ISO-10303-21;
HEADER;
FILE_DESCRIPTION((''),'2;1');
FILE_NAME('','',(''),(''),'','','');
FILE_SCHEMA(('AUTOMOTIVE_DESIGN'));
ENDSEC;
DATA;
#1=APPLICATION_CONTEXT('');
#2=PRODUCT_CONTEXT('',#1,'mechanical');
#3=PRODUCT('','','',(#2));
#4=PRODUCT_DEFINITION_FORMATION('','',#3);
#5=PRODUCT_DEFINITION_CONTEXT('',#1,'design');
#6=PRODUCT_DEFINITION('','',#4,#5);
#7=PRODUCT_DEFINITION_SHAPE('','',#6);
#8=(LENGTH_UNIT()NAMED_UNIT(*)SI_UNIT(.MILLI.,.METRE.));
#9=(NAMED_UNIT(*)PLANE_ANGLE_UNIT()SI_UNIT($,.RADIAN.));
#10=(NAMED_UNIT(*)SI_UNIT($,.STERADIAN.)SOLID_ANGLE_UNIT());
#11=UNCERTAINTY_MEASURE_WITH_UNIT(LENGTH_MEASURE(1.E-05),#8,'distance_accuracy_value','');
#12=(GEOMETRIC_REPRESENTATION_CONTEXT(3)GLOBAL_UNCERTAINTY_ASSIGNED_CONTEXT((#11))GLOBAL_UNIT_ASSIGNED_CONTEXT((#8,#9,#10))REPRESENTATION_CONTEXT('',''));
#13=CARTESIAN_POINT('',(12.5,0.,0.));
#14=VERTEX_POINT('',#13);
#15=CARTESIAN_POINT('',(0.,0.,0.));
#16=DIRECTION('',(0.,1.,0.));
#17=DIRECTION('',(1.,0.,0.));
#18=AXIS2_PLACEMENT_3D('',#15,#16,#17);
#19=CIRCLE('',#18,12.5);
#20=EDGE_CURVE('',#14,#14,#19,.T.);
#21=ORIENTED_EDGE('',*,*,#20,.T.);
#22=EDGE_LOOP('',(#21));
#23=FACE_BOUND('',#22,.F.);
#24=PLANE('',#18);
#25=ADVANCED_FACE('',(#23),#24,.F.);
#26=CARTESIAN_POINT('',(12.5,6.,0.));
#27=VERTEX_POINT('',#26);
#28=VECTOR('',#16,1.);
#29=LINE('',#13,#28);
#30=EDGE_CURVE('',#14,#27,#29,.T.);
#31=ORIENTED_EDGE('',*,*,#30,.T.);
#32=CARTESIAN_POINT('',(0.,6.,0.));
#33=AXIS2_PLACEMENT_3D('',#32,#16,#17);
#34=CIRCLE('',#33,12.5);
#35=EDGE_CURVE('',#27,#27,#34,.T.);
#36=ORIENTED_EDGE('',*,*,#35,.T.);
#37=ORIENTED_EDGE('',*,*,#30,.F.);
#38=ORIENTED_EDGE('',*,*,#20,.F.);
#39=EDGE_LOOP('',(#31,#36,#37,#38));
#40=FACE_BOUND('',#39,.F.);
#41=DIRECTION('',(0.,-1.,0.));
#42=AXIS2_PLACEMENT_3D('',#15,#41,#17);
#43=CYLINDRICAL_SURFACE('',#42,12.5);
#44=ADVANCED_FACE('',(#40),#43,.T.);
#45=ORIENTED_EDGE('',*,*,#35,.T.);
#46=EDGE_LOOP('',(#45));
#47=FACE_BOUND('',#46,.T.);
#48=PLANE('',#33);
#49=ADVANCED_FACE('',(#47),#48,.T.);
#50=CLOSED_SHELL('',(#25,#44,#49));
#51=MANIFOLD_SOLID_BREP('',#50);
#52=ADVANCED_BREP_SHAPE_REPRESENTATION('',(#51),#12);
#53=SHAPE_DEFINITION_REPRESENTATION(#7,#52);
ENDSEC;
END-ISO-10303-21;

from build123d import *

# Parameters (mm, degrees)
CROQUIS1_R              = 12.5
SALIENTE_EXTRUIR1_DEPTH = 6


with BuildPart() as part:
    # Croquis1 → Saliente-Extruir1 (new body)
    with BuildSketch(Plane(origin=(0, 0, 0), x_dir=(1, 0, 0), z_dir=(0, 1, 0))):
        Circle(CROQUIS1_R)
    extrude(amount=SALIENTE_EXTRUIR1_DEPTH)


solid = part.part
